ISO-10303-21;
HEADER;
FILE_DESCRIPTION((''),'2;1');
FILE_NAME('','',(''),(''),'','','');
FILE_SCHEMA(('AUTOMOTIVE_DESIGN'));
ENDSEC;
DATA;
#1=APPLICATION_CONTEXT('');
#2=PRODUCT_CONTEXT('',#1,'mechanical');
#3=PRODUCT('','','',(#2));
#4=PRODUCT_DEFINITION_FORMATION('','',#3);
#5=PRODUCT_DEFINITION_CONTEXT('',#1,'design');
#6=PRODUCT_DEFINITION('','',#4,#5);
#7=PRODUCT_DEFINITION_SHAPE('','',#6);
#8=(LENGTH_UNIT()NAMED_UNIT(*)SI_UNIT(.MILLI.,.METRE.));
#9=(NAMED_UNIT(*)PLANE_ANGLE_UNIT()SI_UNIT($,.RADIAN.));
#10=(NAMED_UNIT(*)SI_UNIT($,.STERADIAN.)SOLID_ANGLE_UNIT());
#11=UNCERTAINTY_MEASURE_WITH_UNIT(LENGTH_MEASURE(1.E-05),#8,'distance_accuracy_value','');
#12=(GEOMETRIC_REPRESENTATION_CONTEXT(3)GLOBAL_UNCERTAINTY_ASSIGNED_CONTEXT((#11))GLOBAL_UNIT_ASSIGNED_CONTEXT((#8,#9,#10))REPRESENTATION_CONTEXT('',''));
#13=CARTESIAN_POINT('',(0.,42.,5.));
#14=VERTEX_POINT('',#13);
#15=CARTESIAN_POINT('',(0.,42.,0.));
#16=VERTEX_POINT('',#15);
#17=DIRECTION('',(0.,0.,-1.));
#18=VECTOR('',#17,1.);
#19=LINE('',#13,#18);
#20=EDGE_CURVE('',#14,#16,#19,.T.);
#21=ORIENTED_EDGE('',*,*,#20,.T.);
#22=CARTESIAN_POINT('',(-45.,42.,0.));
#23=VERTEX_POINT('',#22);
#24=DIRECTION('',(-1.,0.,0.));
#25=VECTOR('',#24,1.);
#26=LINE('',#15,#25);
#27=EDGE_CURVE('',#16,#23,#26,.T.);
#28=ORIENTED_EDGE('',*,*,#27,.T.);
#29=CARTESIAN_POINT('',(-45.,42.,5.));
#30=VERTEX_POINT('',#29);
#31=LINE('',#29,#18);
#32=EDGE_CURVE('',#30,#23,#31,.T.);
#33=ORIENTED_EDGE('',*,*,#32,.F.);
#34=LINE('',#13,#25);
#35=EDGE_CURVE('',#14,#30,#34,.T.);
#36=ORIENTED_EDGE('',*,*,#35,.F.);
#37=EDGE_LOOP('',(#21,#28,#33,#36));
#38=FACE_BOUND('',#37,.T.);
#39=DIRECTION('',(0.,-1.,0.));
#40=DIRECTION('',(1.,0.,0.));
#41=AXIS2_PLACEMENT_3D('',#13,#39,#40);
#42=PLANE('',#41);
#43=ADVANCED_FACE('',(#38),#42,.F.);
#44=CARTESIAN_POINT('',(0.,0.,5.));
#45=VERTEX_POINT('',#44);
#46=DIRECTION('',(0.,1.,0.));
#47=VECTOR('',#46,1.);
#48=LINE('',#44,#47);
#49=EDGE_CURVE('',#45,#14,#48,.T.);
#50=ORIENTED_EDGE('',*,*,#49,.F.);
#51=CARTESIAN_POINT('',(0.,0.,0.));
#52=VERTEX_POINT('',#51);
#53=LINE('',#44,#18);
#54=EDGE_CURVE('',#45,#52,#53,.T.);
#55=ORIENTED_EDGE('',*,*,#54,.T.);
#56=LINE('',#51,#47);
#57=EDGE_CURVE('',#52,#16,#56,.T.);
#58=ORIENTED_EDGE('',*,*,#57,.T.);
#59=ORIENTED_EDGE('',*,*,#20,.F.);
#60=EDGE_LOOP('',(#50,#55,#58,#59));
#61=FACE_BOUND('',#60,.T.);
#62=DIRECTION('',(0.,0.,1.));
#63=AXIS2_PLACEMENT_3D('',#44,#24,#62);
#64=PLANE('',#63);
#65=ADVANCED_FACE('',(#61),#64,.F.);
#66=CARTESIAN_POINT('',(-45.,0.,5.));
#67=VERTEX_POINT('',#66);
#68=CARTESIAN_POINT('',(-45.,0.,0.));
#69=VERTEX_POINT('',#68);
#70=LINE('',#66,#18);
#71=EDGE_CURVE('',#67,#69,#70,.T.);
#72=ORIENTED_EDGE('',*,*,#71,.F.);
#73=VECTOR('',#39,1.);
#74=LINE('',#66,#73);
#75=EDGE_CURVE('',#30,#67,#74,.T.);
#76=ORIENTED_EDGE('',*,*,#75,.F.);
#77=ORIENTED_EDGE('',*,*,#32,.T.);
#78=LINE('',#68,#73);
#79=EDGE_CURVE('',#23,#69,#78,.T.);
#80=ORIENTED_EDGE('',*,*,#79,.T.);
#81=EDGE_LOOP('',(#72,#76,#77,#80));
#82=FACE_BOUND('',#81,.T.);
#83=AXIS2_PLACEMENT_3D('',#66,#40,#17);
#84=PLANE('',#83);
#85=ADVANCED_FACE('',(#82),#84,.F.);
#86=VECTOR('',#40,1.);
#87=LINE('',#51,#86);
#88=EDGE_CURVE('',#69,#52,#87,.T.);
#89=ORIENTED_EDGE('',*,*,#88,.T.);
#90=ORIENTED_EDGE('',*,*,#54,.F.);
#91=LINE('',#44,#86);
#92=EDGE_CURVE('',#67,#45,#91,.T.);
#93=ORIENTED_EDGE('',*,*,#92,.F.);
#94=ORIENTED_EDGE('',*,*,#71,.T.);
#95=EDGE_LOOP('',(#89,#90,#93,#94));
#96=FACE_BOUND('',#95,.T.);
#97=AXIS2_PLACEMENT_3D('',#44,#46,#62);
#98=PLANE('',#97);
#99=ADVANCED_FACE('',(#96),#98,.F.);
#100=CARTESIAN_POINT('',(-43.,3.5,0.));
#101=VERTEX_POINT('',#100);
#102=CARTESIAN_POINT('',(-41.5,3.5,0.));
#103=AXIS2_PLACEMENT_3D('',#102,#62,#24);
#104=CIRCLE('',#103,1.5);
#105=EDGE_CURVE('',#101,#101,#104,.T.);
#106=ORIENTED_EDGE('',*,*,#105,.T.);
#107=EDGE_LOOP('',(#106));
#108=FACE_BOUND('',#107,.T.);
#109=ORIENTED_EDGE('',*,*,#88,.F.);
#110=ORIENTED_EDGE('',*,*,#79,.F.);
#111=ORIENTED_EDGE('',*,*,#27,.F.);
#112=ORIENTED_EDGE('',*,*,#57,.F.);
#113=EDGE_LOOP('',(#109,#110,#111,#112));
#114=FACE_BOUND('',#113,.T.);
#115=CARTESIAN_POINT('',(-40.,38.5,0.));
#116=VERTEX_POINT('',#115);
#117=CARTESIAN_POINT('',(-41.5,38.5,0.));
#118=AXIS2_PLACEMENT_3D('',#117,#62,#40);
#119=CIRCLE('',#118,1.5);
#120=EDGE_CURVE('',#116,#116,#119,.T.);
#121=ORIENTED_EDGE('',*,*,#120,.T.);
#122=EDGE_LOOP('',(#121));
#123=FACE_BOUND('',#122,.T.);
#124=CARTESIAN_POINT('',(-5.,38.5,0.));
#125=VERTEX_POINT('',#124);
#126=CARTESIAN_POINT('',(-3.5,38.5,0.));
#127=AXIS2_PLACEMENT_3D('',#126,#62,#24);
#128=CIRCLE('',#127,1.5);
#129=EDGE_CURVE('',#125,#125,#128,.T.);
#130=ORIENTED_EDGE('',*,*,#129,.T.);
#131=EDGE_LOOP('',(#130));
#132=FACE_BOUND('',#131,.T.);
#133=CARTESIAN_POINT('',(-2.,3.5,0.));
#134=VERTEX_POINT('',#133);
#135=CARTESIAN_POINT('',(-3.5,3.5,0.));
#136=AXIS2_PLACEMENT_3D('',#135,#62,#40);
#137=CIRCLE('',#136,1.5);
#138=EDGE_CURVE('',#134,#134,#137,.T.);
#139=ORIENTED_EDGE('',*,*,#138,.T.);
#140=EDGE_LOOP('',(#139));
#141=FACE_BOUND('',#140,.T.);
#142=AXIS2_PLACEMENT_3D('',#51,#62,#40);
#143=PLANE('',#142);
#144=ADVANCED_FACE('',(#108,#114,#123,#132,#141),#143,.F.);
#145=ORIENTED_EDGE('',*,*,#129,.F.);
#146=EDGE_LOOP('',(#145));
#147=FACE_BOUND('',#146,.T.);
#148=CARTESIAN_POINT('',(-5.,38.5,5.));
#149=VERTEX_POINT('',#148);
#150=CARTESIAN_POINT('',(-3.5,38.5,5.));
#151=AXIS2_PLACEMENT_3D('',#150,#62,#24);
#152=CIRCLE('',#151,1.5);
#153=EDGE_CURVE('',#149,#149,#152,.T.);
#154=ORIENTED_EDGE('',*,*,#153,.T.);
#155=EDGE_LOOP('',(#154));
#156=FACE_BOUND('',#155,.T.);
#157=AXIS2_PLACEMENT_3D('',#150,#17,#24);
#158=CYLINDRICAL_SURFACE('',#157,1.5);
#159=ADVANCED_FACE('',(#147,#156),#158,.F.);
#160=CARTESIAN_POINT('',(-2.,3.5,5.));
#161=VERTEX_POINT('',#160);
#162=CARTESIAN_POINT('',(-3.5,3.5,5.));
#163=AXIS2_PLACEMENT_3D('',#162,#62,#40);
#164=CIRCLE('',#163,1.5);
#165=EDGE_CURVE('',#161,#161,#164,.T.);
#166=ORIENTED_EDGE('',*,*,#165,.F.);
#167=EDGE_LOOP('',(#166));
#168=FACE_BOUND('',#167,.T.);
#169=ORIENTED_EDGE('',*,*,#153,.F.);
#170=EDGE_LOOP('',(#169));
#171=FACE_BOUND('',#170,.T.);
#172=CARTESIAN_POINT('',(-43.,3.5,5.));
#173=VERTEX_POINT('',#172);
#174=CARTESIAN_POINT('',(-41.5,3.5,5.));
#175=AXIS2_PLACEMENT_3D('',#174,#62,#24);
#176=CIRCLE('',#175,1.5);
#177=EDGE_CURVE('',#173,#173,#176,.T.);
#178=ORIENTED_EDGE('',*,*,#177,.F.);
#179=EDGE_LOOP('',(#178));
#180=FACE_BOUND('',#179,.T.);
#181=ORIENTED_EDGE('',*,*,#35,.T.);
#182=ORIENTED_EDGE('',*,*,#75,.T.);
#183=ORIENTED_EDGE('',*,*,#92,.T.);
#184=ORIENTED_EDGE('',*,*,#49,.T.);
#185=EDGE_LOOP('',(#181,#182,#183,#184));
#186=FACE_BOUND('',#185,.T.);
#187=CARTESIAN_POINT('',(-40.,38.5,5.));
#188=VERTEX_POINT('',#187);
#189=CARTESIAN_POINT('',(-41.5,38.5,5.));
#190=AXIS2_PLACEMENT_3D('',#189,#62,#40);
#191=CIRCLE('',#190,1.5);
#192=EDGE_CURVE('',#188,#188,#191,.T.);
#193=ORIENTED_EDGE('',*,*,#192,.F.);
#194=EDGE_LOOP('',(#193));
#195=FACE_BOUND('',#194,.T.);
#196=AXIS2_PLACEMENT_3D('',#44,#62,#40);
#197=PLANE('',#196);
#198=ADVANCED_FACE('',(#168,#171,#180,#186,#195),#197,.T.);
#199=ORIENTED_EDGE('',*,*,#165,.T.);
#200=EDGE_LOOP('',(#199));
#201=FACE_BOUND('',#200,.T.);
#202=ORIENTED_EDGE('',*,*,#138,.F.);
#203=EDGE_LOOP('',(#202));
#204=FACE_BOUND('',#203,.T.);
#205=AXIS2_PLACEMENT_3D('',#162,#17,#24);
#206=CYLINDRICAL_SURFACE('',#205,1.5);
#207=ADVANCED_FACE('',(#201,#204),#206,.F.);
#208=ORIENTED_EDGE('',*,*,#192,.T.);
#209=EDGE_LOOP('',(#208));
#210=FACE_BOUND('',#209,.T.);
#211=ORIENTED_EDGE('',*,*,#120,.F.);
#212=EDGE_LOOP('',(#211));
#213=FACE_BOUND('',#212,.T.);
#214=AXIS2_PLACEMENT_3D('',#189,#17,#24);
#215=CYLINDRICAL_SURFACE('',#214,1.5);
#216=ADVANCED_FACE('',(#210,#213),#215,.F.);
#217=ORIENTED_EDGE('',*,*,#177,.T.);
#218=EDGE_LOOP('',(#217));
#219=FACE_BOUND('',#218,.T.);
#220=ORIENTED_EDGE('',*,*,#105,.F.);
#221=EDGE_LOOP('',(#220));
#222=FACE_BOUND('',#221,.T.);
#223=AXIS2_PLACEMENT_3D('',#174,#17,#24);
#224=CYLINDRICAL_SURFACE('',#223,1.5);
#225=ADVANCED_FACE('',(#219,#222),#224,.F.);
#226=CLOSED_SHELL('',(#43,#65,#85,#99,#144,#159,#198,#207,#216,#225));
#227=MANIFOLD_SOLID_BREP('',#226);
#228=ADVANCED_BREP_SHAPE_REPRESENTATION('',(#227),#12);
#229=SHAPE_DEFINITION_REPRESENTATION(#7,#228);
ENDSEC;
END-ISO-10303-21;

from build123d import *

# Parameters (mm, degrees)
SKETCH_1_W      = 45
SKETCH_1_H      = 42
SKETCH_1_R      = 1.5
EXTRUDE_1_DEPTH = 5


with BuildPart() as part:
    # 草图1 → 凸台-拉伸1 (new body)
    with BuildSketch(Plane.XY):
        with Locations((-22.5, 21)):
            Rectangle(SKETCH_1_W, SKETCH_1_H)
        with Locations((-3.5, 3.5)):
            Circle(SKETCH_1_R, mode=Mode.SUBTRACT)
        with Locations(Location((-41.5, 3.5, 0), (0, 0, 180))):
            Circle(SKETCH_1_R, mode=Mode.SUBTRACT)
        with Locations(Location((-3.5, 38.5, 0), (0, 0, 180))):
            Circle(SKETCH_1_R, mode=Mode.SUBTRACT)
        with Locations((-41.5, 38.5)):
            Circle(SKETCH_1_R, mode=Mode.SUBTRACT)
    extrude(amount=EXTRUDE_1_DEPTH)


solid = part.part
